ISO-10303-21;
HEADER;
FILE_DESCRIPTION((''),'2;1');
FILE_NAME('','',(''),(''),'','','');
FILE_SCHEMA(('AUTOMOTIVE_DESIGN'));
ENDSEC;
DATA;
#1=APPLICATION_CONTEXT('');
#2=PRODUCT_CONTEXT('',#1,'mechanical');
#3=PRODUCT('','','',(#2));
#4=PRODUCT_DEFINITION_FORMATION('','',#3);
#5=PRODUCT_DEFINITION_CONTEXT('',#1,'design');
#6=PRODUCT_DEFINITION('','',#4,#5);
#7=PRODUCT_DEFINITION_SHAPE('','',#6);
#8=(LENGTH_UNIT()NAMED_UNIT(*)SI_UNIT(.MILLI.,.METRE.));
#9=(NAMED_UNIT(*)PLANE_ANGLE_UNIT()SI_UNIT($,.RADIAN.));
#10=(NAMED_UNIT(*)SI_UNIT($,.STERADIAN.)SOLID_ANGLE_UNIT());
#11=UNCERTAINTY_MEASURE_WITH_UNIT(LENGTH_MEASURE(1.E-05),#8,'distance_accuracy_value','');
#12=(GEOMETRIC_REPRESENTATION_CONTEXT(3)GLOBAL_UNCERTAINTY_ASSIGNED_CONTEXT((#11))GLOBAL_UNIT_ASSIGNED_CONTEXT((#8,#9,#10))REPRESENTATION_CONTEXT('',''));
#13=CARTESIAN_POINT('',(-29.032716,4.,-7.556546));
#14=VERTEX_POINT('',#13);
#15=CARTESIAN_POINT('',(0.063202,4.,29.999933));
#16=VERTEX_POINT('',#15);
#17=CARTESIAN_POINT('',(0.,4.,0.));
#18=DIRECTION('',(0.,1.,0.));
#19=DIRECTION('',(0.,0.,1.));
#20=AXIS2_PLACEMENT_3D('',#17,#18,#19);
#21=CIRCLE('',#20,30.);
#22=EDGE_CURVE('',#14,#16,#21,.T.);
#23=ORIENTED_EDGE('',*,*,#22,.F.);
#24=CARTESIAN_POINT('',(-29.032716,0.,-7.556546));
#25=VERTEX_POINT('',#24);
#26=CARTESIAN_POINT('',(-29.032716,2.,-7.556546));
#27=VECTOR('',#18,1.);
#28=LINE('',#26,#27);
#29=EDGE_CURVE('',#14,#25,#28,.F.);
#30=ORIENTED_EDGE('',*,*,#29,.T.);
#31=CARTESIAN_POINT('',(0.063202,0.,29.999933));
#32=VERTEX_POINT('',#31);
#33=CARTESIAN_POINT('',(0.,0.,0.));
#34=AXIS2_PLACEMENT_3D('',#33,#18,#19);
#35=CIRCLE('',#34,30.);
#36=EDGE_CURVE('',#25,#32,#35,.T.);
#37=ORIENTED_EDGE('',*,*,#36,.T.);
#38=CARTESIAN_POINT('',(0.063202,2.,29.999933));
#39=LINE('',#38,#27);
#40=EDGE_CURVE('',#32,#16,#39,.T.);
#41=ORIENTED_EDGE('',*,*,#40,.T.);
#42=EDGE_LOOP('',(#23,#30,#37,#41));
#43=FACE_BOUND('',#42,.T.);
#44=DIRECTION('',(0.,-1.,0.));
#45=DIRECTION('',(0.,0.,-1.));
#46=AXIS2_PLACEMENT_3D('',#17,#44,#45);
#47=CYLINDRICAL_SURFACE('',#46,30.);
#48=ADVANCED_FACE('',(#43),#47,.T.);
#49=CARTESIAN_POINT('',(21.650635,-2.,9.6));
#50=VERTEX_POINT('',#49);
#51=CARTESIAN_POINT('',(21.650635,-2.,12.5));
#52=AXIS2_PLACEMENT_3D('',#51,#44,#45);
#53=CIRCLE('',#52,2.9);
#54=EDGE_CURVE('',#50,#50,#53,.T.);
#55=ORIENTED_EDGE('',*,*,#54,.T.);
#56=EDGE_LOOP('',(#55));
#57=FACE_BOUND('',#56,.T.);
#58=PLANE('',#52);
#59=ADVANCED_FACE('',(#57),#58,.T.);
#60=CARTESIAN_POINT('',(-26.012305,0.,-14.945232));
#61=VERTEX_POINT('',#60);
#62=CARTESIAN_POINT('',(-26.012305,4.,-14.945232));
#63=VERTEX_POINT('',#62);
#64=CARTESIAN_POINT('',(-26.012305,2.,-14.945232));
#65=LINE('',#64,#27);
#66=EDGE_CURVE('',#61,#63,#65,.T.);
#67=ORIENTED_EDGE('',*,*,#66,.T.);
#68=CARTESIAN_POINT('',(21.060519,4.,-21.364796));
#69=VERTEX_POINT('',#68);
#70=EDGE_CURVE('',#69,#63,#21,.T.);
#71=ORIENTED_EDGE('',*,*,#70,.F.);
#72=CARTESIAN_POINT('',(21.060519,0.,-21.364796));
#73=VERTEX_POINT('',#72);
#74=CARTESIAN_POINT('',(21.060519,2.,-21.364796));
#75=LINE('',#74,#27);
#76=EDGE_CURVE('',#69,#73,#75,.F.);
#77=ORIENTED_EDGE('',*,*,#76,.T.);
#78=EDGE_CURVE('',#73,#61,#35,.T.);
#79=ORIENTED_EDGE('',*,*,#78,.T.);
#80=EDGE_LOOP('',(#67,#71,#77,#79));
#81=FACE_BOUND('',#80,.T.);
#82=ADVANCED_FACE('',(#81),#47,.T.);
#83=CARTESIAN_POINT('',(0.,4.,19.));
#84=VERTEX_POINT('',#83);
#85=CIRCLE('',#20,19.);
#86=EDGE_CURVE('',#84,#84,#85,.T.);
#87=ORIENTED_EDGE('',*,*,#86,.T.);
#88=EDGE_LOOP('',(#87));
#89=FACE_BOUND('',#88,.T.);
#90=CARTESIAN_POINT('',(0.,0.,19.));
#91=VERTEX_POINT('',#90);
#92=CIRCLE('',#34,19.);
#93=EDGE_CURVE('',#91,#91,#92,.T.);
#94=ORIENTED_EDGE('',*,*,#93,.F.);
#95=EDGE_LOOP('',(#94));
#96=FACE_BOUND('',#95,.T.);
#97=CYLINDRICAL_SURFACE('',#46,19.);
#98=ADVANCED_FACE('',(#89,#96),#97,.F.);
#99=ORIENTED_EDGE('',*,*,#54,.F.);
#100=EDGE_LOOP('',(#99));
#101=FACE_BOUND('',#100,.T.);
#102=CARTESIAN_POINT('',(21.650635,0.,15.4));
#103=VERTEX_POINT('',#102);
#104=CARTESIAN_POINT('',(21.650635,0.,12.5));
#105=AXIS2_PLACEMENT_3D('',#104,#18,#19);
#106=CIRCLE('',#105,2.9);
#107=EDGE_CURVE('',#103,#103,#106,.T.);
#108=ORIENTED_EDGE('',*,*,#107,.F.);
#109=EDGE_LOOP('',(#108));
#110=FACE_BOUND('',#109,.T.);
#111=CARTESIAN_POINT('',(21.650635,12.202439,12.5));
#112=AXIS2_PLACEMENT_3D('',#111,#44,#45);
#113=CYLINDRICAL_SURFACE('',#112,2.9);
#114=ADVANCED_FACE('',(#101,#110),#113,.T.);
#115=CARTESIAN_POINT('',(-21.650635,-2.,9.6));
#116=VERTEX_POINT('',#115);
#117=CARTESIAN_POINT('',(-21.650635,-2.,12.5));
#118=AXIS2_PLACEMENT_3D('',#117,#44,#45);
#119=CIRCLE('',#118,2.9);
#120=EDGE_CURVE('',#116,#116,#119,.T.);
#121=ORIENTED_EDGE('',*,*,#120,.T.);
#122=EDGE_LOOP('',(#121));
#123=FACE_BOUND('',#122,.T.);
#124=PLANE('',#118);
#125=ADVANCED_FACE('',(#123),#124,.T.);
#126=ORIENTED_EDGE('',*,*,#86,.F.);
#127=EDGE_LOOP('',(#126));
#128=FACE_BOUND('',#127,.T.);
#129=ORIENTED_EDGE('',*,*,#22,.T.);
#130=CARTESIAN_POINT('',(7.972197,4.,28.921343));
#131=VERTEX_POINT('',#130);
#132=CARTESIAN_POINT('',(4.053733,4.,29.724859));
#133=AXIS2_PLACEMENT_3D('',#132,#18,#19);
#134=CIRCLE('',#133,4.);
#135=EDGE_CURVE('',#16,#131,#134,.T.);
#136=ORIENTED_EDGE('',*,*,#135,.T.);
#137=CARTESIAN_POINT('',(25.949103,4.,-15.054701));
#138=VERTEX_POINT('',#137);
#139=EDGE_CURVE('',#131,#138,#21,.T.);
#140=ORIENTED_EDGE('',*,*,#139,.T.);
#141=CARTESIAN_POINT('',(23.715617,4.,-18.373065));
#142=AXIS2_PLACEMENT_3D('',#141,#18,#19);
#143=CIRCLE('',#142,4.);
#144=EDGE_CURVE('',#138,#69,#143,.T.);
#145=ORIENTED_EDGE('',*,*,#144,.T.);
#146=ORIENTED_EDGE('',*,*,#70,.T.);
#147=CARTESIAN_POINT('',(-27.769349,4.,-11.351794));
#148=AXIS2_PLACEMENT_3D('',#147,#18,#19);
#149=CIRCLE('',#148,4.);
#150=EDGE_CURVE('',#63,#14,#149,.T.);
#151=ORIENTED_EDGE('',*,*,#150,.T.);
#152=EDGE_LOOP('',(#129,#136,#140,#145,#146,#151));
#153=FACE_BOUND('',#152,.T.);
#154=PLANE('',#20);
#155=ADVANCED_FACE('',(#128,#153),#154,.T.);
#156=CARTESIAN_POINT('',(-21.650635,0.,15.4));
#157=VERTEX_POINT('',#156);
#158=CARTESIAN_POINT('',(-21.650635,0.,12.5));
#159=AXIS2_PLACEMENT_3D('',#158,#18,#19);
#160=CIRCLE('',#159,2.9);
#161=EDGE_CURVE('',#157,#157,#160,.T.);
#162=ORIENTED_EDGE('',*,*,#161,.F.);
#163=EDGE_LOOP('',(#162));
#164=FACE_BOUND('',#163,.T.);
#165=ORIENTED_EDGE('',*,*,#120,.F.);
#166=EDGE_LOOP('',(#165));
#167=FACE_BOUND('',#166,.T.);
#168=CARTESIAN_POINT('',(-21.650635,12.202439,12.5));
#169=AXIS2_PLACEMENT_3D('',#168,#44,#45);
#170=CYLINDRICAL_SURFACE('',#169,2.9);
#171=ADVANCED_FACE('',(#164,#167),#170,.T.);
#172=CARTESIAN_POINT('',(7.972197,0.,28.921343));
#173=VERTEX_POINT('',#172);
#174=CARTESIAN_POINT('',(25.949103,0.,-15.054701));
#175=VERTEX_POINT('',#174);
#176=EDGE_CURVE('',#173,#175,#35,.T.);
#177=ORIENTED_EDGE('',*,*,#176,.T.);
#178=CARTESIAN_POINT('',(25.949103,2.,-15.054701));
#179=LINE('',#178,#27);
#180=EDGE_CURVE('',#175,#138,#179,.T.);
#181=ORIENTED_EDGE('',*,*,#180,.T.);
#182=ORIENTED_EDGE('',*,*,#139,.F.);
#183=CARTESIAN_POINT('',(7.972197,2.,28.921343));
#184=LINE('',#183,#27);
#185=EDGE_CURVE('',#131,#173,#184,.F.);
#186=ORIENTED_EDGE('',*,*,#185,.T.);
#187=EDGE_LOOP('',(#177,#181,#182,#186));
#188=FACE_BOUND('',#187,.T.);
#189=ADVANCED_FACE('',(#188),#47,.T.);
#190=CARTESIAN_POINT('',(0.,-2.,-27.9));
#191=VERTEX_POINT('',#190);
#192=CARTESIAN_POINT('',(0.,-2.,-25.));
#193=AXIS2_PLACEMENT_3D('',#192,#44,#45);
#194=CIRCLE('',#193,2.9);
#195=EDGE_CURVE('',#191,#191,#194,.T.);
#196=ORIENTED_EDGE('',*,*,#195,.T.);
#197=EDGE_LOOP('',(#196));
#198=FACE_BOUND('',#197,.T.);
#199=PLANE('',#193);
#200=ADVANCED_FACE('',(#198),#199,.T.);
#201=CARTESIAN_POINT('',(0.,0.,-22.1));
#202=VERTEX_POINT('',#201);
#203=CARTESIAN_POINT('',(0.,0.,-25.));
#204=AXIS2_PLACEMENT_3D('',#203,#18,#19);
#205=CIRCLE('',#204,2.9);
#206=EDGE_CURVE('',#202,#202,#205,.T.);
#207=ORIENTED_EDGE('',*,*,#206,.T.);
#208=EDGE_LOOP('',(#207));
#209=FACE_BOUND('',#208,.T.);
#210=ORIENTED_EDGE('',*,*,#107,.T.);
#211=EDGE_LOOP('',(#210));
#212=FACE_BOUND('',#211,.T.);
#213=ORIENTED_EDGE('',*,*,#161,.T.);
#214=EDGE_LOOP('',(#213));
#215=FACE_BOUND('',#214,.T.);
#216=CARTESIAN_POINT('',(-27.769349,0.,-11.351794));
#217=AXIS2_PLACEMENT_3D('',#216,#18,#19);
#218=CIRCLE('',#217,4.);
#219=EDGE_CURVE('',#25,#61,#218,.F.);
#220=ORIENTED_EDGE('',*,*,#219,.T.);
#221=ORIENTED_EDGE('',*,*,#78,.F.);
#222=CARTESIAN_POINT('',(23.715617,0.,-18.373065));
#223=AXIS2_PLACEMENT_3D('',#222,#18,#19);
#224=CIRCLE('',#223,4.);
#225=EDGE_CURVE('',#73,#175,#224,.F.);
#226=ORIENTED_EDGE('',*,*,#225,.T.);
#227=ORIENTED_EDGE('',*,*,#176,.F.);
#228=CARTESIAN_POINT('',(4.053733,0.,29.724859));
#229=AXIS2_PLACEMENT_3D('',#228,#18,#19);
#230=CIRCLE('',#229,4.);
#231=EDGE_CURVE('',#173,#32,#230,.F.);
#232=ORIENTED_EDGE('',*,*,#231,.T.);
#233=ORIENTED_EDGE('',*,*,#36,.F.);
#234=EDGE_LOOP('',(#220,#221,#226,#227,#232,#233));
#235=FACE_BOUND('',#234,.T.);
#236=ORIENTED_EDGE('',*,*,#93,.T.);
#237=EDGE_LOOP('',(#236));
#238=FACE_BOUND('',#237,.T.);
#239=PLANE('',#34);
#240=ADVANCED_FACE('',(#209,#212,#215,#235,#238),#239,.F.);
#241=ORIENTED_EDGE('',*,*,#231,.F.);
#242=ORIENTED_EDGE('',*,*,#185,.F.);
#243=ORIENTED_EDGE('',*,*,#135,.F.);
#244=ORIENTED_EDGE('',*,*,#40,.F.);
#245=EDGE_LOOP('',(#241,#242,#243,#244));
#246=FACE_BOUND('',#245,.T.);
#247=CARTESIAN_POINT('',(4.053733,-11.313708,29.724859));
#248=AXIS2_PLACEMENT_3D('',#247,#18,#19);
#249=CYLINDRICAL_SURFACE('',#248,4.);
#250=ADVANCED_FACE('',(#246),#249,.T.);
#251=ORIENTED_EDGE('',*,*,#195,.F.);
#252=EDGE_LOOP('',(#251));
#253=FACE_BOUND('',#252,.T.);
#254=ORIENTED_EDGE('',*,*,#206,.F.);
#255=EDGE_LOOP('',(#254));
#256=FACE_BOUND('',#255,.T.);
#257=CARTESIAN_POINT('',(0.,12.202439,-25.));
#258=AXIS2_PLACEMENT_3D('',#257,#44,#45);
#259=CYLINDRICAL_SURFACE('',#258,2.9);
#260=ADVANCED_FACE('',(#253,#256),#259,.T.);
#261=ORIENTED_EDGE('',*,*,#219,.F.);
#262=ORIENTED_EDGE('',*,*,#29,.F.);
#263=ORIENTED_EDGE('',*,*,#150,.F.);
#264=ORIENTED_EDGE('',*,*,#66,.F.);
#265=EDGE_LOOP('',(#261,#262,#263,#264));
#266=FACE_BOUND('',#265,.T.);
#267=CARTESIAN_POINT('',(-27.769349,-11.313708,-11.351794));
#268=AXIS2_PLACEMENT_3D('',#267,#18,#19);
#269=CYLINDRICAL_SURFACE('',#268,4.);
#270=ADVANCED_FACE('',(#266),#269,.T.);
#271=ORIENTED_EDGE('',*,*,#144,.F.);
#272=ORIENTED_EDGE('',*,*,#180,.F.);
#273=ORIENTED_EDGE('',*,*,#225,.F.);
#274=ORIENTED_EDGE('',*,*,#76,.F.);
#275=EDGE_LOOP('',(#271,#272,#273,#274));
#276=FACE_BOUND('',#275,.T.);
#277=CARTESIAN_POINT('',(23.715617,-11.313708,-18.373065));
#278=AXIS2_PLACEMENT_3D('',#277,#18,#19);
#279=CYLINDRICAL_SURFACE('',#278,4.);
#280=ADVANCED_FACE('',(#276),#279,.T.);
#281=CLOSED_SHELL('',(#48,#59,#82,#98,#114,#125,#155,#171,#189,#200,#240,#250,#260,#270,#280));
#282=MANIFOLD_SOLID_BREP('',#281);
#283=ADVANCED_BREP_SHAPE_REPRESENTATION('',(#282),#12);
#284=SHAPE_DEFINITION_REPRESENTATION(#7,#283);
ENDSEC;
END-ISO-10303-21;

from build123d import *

# Parameters (mm, degrees)
SKETCH1_R                = 19
BOSS_EXTRUDE1_DEPTH      = 3.5
SKETCH2_R                = 30
SKETCH2_R_2              = 19
SKETCH2_R_3              = 2.8
BOSS_EXTRUDE2_DEPTH      = 4
CUT_EXTRUDE1_START       = -10
SKETCH3_R                = 19
CUT_EXTRUDE1_DEPTH       = 10
BOSS_EXTRUDE3_DEPTH      = 2
BOSS_EXTRUDE3_DEPTH_BACK = 4
SKETCH4_R                = 2.9
SKETCH5_R                = 4
BOSS_EXTRUDE4_DEPTH      = 4


with BuildPart() as part:
    # Sketch1 → Boss-Extrude1 (new body)
    with BuildSketch(Plane(origin=(0, 0, 0), x_dir=(1, 0, 0), z_dir=(0, 1, 0))):
        with Locations(Location((0, 0, 0), (0, 0, 270))):
            Circle(SKETCH1_R)
    extrude(amount=BOSS_EXTRUDE1_DEPTH)

    # Sketch2 → Boss-Extrude2 (add)
    with BuildSketch(Plane(origin=(0, 0, 0), x_dir=(1, 0, 0), z_dir=(0, 1, 0))):
        with Locations(Location((0, 0, 0), (0, 0, 270))):
            Circle(SKETCH2_R)
        with Locations(Location((0, 0, 0), (0, 0, 270))):
            Circle(SKETCH2_R_2, mode=Mode.SUBTRACT)
        with Locations(Location((0, 25, 0), (0, 0, 270))):
            Circle(SKETCH2_R_3, mode=Mode.SUBTRACT)
        with Locations(Location((21.650635095, -12.5, 0), (0, 0, 270))):
            Circle(SKETCH2_R_3, mode=Mode.SUBTRACT)
        with Locations(Location((-21.650635095, -12.5, 0), (0, 0, 270))):
            Circle(SKETCH2_R_3, mode=Mode.SUBTRACT)
    extrude(amount=BOSS_EXTRUDE2_DEPTH)

    # Sketch3 → Cut-Extrude1 (cut)
    with BuildSketch(Plane(origin=(0, 3.5, 0), x_dir=(1, 0, 0), z_dir=(0, 1, 0)).offset(CUT_EXTRUDE1_START)):
        with Locations(Location((0, 0, 0), (0, 0, 270))):
            Circle(SKETCH3_R)
    extrude(amount=CUT_EXTRUDE1_DEPTH, mode=Mode.SUBTRACT)

    # Sketch4 → Boss-Extrude3 (add, two sides: drawn at the far end of the back side and taken through both)
    with BuildSketch(Plane.XZ.offset(-BOSS_EXTRUDE3_DEPTH_BACK)):
        with Locations(Location((-21.650635095, 12.5, 0), (0, 0, 270))):
            Circle(SKETCH4_R)
        with Locations(Location((21.650635095, 12.5, 0), (0, 0, 270))):
            Circle(SKETCH4_R)
        with Locations(Location((0, -25, 0), (0, 0, 270))):
            Circle(SKETCH4_R)
    extrude(amount=BOSS_EXTRUDE3_DEPTH + BOSS_EXTRUDE3_DEPTH_BACK)

    # Sketch5 → Boss-Extrude4 (add)
    with BuildSketch(Plane(origin=(0, 4, 0), x_dir=(1, 0, 0), z_dir=(0, 1, 0))):
        with Locations((-27.769349467, 11.35179414)):
            Circle(SKETCH5_R)
        with Locations((23.715616837, 18.373065015)):
            Circle(SKETCH5_R)
        with Locations((4.05373263, -29.724859155)):
            Circle(SKETCH5_R)
    extrude(amount=-BOSS_EXTRUDE4_DEPTH)


solid = part.part
